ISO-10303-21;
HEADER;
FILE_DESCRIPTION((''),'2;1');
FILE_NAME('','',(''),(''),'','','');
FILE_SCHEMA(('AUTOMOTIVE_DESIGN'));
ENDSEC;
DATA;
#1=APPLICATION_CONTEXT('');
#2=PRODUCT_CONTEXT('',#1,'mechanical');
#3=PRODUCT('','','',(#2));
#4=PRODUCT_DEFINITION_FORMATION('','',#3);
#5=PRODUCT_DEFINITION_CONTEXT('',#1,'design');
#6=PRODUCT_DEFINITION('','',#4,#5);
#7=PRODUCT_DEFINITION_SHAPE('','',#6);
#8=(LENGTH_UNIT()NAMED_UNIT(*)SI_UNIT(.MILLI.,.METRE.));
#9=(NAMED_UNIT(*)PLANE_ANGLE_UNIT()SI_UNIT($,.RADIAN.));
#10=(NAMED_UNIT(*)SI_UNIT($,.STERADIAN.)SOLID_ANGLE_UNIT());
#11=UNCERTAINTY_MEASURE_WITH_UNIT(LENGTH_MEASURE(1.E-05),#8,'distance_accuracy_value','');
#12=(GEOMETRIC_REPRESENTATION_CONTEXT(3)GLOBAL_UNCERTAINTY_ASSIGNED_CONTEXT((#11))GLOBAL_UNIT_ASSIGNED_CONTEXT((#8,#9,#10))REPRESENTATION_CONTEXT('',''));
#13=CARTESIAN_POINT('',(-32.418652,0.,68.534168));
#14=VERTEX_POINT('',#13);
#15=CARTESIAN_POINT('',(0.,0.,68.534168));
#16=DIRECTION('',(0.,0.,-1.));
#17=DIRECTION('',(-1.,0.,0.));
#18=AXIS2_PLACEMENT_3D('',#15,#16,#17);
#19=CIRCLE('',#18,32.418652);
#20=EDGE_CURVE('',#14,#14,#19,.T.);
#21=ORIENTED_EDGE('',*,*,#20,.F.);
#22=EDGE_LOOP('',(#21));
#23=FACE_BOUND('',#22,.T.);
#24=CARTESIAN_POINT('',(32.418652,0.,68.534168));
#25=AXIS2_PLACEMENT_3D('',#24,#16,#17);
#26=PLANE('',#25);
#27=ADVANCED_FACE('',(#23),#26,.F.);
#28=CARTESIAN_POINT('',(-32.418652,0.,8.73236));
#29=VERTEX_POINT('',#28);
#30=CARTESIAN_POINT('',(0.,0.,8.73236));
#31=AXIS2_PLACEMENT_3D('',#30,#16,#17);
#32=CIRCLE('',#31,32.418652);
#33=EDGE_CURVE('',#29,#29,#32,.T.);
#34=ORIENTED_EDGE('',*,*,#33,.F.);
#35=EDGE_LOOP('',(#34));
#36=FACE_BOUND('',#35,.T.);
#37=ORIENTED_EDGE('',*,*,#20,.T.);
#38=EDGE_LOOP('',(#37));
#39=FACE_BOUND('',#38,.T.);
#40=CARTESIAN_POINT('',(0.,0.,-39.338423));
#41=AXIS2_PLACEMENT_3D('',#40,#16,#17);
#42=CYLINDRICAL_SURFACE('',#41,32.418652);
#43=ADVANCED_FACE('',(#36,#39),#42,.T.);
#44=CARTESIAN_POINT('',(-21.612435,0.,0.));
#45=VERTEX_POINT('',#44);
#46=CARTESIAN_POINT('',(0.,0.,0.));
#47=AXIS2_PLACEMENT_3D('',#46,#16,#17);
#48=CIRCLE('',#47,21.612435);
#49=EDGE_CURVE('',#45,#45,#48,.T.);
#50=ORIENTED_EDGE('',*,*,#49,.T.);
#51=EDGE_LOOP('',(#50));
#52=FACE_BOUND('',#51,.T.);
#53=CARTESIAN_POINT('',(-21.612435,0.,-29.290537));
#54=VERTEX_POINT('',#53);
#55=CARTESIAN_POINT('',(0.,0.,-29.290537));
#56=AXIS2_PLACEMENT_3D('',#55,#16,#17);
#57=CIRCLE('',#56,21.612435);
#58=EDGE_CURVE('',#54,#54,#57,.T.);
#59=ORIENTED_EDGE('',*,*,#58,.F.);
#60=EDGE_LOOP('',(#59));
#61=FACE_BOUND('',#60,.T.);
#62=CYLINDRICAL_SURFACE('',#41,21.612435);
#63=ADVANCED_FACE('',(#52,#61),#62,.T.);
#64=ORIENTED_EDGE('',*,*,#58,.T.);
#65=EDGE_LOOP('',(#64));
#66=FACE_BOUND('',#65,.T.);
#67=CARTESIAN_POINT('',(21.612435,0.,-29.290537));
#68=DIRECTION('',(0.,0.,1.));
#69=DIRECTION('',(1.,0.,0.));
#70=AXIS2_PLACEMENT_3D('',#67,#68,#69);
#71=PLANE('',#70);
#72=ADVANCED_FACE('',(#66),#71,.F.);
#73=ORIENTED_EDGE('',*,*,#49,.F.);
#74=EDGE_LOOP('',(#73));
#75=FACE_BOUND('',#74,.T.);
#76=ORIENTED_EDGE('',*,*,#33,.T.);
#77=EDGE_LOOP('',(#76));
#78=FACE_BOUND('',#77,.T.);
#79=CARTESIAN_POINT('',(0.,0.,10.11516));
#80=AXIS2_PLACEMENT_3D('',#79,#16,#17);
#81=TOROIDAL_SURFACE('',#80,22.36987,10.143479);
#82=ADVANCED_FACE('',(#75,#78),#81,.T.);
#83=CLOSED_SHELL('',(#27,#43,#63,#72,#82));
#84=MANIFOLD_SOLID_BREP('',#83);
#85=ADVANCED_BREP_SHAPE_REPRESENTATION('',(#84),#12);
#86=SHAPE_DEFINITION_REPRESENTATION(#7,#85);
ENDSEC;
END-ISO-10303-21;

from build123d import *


with BuildPart() as part:
    # Sketch1 → Revolve1 (revolve)
    with BuildSketch(Plane(origin=(0, 0, 0), x_dir=(1, 0, 0), z_dir=(0, 1, 0)), mode=Mode.PRIVATE) as revolve1_sk:
        with BuildLine():
            Line((32.418652167, -68.5341679), (0, -68.5341679))
            Line((0, -68.5341679), (0, 29.290536607))
            Line((0, 29.290536607), (21.612434778, 29.290536607))
            Line((21.612434778, 29.290536607), (21.612434778, 0))
            ThreePointArc((21.612434778, 0), (28.745276586, -2.225650789), (32.418652167, -8.732360061))
            Line((32.418652167, -8.732360061), (32.418652167, -68.5341679))
        make_face()
    revolve(revolve1_sk.sketch.rotate(Axis((0, 0, -39.338422951), (0, 0, 1)), 180), axis=Axis((0, 0, -39.338422951), (0, 0, 1)))


solid = part.part
